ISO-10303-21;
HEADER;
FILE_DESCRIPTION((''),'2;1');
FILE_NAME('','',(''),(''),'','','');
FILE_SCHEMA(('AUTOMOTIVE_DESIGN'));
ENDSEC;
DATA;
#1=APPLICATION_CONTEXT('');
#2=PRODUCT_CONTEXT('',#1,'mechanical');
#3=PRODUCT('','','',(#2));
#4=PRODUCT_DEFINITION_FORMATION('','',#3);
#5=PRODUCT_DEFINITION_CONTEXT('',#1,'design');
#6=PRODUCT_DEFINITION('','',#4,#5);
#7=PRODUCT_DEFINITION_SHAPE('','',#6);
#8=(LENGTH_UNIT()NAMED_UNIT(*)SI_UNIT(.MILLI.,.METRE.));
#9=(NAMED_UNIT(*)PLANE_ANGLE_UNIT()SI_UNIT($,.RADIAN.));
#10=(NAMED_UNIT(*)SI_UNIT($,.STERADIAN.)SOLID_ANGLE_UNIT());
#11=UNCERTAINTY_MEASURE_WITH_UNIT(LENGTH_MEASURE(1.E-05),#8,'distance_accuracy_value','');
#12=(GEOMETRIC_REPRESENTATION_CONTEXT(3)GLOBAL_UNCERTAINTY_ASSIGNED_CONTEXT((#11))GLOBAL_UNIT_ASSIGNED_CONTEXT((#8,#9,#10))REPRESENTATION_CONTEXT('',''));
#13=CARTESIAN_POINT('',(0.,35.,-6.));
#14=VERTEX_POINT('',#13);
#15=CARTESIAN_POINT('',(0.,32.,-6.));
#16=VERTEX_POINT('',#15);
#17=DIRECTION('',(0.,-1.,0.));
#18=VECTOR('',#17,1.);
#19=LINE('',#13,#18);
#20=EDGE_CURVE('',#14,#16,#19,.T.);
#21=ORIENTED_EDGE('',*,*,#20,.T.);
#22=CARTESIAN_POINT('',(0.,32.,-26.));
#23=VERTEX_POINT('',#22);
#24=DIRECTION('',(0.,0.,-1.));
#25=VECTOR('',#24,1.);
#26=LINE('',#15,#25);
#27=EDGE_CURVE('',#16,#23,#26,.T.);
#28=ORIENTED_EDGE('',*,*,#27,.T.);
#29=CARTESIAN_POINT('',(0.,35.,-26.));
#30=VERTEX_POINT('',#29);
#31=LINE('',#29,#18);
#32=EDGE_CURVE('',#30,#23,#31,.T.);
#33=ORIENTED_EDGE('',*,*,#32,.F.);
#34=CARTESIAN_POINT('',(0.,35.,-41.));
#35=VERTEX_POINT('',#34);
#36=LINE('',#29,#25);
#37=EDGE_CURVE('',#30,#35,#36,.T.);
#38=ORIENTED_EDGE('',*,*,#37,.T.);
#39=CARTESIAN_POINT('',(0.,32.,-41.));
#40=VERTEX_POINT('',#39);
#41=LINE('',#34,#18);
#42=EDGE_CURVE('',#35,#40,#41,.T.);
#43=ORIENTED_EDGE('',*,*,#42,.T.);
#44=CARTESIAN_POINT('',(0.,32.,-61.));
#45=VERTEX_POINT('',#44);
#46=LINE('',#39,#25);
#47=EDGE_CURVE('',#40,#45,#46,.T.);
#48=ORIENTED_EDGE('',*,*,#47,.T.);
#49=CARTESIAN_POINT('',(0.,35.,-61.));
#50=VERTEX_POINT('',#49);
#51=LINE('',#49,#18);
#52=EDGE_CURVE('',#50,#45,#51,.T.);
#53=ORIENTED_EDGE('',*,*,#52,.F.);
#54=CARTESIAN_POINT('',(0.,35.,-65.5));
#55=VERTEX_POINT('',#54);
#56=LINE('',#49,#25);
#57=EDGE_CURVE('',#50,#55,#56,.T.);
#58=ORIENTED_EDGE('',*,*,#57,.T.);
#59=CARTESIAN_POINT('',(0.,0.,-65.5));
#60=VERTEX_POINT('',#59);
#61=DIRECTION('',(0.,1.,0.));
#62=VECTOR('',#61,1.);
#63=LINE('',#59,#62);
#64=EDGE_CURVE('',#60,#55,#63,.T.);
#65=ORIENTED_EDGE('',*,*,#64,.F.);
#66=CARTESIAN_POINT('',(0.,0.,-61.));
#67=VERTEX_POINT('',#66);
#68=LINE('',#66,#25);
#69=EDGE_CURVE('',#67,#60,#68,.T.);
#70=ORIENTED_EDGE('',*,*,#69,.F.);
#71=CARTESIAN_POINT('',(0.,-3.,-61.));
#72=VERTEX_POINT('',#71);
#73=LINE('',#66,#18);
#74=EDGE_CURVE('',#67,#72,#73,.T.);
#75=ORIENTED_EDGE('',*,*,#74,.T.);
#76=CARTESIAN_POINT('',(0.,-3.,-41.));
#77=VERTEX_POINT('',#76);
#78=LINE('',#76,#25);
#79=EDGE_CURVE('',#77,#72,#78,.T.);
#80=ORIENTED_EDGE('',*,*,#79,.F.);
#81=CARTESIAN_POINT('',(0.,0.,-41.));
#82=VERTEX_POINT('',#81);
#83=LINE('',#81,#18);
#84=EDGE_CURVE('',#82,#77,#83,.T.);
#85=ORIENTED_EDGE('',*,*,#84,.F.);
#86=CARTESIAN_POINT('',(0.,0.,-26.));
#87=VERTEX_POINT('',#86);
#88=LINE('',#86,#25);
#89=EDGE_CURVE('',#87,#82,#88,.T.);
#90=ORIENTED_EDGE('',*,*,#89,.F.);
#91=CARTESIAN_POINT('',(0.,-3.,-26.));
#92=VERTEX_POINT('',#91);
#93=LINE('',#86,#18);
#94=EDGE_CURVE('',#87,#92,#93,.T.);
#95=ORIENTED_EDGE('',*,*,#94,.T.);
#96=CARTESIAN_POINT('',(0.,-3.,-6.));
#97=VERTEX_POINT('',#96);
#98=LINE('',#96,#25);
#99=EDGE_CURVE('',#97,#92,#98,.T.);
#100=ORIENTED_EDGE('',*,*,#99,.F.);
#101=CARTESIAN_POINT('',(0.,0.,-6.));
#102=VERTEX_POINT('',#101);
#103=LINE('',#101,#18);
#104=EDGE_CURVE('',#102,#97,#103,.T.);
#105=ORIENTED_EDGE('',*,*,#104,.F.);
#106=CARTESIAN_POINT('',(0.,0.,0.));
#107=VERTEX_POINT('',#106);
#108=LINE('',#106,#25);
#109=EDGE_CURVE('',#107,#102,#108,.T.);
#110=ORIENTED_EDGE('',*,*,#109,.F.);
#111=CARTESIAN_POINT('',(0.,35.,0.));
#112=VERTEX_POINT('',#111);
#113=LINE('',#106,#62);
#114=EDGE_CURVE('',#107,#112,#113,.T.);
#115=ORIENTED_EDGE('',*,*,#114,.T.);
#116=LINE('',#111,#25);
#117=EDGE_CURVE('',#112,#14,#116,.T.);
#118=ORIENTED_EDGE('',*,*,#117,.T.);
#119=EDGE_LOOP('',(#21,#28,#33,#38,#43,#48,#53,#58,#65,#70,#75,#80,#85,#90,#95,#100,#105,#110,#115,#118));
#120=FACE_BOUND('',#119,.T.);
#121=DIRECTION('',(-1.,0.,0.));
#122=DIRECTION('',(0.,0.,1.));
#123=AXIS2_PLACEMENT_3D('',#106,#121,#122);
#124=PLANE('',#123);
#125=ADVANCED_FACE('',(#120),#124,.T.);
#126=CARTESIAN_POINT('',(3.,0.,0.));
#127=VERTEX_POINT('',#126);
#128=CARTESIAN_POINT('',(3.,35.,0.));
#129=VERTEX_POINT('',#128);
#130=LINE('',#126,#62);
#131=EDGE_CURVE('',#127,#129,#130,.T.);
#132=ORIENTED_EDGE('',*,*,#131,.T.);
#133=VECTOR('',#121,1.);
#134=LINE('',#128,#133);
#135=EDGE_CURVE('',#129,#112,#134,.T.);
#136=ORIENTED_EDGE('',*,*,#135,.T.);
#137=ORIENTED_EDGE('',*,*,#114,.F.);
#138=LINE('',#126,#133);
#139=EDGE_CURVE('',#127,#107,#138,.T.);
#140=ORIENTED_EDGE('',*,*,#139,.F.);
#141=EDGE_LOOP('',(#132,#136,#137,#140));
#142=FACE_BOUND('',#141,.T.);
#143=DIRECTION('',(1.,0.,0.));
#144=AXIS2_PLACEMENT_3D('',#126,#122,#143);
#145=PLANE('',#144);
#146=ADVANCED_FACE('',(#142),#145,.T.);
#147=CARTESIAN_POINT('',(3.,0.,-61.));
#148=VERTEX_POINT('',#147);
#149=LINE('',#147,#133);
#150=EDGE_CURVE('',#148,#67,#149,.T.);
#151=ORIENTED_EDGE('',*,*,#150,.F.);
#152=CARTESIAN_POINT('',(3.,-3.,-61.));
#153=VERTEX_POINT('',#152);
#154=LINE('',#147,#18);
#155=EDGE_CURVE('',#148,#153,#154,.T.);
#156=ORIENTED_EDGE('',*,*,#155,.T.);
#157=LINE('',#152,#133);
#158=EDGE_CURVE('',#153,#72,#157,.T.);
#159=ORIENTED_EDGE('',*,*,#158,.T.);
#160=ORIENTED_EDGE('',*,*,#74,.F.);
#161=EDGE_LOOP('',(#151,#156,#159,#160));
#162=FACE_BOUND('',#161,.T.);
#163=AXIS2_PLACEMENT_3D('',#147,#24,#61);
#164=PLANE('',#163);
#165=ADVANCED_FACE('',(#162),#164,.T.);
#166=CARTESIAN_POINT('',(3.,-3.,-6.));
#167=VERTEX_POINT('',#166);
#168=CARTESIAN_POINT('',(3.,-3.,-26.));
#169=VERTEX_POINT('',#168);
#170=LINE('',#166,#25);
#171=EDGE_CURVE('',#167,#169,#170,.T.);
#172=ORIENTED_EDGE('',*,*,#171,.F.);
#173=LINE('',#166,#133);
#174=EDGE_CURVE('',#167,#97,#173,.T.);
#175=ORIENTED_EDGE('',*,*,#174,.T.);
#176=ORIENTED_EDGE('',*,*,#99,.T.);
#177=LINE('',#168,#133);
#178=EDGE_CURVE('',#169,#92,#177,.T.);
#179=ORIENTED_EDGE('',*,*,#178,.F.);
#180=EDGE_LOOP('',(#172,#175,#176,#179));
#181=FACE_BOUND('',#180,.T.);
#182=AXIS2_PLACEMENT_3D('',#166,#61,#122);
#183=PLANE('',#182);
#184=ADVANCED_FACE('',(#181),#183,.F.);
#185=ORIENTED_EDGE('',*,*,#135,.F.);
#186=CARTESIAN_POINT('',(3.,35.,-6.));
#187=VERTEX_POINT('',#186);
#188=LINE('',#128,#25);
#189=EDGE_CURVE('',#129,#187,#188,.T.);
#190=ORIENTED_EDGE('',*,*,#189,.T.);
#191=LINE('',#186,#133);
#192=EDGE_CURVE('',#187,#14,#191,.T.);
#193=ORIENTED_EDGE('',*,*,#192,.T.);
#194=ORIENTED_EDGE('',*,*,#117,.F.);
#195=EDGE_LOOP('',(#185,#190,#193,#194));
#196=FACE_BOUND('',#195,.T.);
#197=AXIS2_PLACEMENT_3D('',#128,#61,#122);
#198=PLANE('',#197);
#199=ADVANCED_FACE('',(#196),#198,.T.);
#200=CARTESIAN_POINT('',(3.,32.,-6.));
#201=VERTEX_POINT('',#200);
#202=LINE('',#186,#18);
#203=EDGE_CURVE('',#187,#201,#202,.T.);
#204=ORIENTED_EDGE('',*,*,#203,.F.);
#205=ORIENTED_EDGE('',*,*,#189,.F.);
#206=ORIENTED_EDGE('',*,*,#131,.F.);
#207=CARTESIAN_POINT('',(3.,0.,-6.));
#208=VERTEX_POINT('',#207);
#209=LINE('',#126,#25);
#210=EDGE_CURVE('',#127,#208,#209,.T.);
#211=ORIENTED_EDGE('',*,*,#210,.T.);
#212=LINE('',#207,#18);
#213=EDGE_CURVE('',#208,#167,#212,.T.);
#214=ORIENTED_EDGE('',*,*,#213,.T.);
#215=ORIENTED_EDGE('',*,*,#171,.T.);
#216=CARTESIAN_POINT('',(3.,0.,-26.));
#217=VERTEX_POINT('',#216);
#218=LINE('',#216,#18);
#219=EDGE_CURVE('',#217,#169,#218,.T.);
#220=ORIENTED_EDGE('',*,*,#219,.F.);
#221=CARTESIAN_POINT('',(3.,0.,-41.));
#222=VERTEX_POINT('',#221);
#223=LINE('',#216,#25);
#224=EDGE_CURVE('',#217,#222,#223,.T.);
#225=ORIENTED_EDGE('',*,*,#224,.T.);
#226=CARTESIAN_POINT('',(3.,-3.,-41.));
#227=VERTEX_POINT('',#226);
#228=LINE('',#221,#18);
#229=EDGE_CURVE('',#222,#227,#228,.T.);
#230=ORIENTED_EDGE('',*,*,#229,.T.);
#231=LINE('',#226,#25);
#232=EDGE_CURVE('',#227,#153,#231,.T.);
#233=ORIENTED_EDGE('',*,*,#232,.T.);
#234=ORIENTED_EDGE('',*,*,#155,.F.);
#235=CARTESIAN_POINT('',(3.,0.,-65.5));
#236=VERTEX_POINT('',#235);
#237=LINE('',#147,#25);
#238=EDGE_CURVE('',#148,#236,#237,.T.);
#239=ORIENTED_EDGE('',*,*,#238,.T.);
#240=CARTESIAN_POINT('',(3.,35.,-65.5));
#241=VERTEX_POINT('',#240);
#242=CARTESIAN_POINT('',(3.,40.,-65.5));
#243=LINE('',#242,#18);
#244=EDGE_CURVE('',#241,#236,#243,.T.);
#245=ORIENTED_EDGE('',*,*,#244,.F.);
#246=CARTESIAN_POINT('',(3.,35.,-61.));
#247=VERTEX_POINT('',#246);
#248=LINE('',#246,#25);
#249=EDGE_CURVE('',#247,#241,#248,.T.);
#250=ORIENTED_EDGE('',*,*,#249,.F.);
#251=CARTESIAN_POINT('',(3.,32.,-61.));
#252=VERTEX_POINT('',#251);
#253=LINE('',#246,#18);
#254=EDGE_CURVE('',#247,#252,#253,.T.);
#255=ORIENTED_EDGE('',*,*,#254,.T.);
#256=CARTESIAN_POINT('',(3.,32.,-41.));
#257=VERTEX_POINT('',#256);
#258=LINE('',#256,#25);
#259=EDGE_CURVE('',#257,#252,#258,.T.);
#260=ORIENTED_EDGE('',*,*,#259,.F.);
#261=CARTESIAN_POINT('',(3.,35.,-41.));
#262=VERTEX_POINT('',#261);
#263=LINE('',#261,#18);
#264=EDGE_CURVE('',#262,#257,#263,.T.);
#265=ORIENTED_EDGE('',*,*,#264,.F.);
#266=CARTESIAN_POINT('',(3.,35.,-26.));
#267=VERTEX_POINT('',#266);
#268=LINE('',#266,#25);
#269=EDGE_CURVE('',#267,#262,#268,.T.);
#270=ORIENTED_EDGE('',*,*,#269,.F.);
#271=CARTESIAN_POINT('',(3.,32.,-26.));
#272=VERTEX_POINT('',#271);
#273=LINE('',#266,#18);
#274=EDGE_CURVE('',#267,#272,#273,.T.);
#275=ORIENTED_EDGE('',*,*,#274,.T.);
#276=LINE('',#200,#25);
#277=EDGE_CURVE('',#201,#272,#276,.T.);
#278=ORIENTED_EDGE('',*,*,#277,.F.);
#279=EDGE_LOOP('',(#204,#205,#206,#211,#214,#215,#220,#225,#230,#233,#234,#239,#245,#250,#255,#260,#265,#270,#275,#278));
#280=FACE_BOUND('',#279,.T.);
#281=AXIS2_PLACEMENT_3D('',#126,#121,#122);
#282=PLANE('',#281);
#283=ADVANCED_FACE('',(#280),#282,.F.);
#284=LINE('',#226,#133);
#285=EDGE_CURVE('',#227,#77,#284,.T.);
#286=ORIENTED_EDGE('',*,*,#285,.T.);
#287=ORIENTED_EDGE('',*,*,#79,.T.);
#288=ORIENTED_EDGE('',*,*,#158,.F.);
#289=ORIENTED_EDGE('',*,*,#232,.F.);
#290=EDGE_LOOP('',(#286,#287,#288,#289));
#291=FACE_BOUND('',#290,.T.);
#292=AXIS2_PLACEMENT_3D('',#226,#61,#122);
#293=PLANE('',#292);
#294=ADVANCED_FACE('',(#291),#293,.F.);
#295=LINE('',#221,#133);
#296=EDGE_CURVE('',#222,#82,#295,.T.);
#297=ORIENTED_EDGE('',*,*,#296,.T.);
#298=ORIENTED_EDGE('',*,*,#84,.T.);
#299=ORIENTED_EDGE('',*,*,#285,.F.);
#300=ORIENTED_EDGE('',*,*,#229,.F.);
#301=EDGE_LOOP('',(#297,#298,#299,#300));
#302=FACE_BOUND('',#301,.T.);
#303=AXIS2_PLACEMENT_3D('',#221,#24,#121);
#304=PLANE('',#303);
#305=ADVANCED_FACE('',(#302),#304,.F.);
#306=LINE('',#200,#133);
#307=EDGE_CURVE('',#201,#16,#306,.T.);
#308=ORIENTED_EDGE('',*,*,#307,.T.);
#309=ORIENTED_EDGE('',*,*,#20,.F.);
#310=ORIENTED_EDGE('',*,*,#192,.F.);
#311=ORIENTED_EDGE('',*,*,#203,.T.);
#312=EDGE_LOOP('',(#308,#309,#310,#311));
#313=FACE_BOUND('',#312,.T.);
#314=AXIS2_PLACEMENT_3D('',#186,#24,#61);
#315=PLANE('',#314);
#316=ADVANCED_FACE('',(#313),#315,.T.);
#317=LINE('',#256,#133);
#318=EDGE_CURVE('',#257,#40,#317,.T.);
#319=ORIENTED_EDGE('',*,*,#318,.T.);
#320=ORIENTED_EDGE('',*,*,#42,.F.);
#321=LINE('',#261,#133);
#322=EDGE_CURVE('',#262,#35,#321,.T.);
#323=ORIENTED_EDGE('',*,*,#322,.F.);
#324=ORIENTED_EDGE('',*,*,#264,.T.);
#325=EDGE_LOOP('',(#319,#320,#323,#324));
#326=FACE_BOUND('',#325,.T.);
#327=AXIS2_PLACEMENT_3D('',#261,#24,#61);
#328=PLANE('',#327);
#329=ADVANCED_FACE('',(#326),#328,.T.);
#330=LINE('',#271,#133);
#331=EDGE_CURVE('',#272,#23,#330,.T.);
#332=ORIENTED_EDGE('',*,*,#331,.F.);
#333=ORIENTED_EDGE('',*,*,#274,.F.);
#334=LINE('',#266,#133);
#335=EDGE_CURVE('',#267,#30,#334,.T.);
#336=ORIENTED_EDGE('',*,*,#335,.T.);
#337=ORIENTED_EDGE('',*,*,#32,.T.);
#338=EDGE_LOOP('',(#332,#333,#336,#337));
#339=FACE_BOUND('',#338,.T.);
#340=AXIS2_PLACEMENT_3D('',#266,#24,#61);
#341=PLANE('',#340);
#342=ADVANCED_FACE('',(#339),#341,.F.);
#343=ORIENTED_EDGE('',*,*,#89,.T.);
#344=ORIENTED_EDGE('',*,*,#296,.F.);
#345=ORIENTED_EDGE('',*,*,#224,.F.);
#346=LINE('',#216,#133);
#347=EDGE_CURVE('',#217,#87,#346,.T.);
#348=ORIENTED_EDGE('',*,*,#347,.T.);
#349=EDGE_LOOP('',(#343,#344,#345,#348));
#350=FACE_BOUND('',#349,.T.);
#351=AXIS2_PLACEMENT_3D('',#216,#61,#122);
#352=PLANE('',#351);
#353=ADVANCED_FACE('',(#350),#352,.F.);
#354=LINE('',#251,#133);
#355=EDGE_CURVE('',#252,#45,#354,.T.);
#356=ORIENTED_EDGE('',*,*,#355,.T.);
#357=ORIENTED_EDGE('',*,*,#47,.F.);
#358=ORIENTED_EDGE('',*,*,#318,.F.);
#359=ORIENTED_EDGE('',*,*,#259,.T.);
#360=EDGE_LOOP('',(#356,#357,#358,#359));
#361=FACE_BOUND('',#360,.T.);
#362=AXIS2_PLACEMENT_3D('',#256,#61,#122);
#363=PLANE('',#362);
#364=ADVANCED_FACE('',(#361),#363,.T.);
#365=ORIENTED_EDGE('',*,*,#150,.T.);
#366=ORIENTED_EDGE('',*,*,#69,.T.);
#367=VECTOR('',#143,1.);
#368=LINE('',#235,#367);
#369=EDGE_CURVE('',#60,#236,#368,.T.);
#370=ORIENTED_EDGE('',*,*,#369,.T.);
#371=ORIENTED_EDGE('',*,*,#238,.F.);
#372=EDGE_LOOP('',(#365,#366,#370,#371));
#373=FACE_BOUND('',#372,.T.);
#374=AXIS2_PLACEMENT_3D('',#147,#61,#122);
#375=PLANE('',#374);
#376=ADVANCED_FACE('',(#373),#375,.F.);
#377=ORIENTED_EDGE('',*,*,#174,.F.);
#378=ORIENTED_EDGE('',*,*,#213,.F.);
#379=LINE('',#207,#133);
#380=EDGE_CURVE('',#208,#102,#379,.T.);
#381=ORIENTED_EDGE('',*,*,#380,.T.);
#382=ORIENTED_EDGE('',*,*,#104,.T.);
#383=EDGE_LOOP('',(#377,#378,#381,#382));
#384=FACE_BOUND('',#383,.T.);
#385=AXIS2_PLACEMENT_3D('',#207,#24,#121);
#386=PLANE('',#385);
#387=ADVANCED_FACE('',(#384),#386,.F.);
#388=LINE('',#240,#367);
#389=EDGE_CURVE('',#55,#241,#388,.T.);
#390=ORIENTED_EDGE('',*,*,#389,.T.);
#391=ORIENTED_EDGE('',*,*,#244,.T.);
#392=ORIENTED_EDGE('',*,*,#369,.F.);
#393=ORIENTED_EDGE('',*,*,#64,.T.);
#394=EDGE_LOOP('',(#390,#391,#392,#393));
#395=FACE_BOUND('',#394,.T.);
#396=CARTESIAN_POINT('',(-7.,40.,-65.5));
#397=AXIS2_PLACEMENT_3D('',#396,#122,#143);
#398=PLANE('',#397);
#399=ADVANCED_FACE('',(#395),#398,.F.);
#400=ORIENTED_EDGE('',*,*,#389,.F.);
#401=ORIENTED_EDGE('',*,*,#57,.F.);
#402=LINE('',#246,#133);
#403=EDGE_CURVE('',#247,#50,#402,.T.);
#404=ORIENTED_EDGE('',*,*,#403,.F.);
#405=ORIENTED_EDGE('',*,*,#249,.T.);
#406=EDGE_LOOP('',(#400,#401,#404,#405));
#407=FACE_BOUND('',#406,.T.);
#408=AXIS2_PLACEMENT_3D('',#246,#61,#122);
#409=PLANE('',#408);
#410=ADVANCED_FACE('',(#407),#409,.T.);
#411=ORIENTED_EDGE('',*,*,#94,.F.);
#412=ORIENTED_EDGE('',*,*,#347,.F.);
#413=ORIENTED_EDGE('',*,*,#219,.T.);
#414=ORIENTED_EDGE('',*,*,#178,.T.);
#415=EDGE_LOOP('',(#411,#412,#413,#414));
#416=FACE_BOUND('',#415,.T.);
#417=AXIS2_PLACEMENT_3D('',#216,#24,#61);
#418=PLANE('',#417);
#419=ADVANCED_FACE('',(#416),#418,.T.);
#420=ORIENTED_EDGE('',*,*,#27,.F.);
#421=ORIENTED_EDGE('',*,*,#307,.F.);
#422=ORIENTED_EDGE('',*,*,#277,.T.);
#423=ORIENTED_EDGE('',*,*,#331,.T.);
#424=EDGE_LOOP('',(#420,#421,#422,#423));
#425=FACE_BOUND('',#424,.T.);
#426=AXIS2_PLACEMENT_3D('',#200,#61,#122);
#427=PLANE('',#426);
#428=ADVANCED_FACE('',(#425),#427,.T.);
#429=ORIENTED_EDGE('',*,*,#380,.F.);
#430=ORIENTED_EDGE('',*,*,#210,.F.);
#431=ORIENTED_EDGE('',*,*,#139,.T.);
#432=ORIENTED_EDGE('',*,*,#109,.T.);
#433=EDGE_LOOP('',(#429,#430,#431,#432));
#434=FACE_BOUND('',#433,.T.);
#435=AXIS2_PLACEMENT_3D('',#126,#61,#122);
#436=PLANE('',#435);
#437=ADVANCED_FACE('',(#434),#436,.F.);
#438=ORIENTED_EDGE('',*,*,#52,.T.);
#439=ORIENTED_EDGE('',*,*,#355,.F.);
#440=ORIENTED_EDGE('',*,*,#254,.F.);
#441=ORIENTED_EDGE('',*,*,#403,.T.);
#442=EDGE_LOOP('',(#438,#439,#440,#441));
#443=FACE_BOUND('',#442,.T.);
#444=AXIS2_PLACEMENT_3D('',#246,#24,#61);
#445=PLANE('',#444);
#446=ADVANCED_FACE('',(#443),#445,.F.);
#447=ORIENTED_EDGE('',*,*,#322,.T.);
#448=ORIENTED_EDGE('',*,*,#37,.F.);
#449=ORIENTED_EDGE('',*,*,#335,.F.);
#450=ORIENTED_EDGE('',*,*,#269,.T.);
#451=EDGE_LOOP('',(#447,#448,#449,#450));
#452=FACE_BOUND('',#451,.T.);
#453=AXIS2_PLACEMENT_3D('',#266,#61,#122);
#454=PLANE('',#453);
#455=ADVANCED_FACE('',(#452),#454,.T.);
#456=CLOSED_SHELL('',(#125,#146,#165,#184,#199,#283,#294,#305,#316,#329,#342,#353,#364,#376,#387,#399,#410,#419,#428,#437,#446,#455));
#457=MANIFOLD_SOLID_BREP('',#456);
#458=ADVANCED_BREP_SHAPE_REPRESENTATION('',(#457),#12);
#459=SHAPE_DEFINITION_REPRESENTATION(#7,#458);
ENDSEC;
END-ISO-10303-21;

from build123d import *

# Parameters (mm, degrees)
BOSS_EXTRUDE1_DEPTH = 3
SKETCH2_W           = 211.5
SKETCH2_H           = 45
CUT_EXTRUDE1_DEPTH  = 10


with BuildPart() as part:
    # Sketch1 → Boss-Extrude1 (new body)
    with BuildSketch(Plane(origin=(0, 0, 0), x_dir=(0, 0, -1), z_dir=(1, 0, 0))):
        Polygon((26, 0), (41, 0), (41, -3), (61, -3), (61, 0), (76, 0), (76, -3), (96, -3), (96, 0), (111, 0), (111, -3), (131, -3), (131, 0), (146, 0), (146, -3), (166, -3), (166, 0), (181, 0), (181, -3), (201, -3), (201, 0), (216, 0), (216, -3), (236, -3), (236, 0), (251, 0), (251, -3), (271, -3), (271, 0), (277, 0), (277, 35), (271, 35), (271, 32), (251, 32), (251, 35), (236, 35), (236, 32), (216, 32), (216, 35), (201, 35), (201, 32), (181, 32), (181, 35), (166, 35), (166, 32), (146, 32), (146, 35), (131, 35), (131, 32), (111, 32), (111, 35), (96, 35), (96, 32), (76, 32), (76, 35), (61, 35), (61, 32), (41, 32), (41, 35), (26, 35), (26, 32), (6, 32), (6, 35), (0, 35), (0, 0), (6, 0), (6, -3), (26, -3), align=None)
    extrude(amount=BOSS_EXTRUDE1_DEPTH)

    # Sketch2 → Cut-Extrude1 (cut)
    with BuildSketch(Plane(origin=(3, 0, 0), x_dir=(0, 0, -1), z_dir=(1, 0, 0))):
        with Locations((171.25, 17.5)):
            Rectangle(SKETCH2_W, SKETCH2_H)
    extrude(amount=-CUT_EXTRUDE1_DEPTH, mode=Mode.SUBTRACT)


solid = part.part
